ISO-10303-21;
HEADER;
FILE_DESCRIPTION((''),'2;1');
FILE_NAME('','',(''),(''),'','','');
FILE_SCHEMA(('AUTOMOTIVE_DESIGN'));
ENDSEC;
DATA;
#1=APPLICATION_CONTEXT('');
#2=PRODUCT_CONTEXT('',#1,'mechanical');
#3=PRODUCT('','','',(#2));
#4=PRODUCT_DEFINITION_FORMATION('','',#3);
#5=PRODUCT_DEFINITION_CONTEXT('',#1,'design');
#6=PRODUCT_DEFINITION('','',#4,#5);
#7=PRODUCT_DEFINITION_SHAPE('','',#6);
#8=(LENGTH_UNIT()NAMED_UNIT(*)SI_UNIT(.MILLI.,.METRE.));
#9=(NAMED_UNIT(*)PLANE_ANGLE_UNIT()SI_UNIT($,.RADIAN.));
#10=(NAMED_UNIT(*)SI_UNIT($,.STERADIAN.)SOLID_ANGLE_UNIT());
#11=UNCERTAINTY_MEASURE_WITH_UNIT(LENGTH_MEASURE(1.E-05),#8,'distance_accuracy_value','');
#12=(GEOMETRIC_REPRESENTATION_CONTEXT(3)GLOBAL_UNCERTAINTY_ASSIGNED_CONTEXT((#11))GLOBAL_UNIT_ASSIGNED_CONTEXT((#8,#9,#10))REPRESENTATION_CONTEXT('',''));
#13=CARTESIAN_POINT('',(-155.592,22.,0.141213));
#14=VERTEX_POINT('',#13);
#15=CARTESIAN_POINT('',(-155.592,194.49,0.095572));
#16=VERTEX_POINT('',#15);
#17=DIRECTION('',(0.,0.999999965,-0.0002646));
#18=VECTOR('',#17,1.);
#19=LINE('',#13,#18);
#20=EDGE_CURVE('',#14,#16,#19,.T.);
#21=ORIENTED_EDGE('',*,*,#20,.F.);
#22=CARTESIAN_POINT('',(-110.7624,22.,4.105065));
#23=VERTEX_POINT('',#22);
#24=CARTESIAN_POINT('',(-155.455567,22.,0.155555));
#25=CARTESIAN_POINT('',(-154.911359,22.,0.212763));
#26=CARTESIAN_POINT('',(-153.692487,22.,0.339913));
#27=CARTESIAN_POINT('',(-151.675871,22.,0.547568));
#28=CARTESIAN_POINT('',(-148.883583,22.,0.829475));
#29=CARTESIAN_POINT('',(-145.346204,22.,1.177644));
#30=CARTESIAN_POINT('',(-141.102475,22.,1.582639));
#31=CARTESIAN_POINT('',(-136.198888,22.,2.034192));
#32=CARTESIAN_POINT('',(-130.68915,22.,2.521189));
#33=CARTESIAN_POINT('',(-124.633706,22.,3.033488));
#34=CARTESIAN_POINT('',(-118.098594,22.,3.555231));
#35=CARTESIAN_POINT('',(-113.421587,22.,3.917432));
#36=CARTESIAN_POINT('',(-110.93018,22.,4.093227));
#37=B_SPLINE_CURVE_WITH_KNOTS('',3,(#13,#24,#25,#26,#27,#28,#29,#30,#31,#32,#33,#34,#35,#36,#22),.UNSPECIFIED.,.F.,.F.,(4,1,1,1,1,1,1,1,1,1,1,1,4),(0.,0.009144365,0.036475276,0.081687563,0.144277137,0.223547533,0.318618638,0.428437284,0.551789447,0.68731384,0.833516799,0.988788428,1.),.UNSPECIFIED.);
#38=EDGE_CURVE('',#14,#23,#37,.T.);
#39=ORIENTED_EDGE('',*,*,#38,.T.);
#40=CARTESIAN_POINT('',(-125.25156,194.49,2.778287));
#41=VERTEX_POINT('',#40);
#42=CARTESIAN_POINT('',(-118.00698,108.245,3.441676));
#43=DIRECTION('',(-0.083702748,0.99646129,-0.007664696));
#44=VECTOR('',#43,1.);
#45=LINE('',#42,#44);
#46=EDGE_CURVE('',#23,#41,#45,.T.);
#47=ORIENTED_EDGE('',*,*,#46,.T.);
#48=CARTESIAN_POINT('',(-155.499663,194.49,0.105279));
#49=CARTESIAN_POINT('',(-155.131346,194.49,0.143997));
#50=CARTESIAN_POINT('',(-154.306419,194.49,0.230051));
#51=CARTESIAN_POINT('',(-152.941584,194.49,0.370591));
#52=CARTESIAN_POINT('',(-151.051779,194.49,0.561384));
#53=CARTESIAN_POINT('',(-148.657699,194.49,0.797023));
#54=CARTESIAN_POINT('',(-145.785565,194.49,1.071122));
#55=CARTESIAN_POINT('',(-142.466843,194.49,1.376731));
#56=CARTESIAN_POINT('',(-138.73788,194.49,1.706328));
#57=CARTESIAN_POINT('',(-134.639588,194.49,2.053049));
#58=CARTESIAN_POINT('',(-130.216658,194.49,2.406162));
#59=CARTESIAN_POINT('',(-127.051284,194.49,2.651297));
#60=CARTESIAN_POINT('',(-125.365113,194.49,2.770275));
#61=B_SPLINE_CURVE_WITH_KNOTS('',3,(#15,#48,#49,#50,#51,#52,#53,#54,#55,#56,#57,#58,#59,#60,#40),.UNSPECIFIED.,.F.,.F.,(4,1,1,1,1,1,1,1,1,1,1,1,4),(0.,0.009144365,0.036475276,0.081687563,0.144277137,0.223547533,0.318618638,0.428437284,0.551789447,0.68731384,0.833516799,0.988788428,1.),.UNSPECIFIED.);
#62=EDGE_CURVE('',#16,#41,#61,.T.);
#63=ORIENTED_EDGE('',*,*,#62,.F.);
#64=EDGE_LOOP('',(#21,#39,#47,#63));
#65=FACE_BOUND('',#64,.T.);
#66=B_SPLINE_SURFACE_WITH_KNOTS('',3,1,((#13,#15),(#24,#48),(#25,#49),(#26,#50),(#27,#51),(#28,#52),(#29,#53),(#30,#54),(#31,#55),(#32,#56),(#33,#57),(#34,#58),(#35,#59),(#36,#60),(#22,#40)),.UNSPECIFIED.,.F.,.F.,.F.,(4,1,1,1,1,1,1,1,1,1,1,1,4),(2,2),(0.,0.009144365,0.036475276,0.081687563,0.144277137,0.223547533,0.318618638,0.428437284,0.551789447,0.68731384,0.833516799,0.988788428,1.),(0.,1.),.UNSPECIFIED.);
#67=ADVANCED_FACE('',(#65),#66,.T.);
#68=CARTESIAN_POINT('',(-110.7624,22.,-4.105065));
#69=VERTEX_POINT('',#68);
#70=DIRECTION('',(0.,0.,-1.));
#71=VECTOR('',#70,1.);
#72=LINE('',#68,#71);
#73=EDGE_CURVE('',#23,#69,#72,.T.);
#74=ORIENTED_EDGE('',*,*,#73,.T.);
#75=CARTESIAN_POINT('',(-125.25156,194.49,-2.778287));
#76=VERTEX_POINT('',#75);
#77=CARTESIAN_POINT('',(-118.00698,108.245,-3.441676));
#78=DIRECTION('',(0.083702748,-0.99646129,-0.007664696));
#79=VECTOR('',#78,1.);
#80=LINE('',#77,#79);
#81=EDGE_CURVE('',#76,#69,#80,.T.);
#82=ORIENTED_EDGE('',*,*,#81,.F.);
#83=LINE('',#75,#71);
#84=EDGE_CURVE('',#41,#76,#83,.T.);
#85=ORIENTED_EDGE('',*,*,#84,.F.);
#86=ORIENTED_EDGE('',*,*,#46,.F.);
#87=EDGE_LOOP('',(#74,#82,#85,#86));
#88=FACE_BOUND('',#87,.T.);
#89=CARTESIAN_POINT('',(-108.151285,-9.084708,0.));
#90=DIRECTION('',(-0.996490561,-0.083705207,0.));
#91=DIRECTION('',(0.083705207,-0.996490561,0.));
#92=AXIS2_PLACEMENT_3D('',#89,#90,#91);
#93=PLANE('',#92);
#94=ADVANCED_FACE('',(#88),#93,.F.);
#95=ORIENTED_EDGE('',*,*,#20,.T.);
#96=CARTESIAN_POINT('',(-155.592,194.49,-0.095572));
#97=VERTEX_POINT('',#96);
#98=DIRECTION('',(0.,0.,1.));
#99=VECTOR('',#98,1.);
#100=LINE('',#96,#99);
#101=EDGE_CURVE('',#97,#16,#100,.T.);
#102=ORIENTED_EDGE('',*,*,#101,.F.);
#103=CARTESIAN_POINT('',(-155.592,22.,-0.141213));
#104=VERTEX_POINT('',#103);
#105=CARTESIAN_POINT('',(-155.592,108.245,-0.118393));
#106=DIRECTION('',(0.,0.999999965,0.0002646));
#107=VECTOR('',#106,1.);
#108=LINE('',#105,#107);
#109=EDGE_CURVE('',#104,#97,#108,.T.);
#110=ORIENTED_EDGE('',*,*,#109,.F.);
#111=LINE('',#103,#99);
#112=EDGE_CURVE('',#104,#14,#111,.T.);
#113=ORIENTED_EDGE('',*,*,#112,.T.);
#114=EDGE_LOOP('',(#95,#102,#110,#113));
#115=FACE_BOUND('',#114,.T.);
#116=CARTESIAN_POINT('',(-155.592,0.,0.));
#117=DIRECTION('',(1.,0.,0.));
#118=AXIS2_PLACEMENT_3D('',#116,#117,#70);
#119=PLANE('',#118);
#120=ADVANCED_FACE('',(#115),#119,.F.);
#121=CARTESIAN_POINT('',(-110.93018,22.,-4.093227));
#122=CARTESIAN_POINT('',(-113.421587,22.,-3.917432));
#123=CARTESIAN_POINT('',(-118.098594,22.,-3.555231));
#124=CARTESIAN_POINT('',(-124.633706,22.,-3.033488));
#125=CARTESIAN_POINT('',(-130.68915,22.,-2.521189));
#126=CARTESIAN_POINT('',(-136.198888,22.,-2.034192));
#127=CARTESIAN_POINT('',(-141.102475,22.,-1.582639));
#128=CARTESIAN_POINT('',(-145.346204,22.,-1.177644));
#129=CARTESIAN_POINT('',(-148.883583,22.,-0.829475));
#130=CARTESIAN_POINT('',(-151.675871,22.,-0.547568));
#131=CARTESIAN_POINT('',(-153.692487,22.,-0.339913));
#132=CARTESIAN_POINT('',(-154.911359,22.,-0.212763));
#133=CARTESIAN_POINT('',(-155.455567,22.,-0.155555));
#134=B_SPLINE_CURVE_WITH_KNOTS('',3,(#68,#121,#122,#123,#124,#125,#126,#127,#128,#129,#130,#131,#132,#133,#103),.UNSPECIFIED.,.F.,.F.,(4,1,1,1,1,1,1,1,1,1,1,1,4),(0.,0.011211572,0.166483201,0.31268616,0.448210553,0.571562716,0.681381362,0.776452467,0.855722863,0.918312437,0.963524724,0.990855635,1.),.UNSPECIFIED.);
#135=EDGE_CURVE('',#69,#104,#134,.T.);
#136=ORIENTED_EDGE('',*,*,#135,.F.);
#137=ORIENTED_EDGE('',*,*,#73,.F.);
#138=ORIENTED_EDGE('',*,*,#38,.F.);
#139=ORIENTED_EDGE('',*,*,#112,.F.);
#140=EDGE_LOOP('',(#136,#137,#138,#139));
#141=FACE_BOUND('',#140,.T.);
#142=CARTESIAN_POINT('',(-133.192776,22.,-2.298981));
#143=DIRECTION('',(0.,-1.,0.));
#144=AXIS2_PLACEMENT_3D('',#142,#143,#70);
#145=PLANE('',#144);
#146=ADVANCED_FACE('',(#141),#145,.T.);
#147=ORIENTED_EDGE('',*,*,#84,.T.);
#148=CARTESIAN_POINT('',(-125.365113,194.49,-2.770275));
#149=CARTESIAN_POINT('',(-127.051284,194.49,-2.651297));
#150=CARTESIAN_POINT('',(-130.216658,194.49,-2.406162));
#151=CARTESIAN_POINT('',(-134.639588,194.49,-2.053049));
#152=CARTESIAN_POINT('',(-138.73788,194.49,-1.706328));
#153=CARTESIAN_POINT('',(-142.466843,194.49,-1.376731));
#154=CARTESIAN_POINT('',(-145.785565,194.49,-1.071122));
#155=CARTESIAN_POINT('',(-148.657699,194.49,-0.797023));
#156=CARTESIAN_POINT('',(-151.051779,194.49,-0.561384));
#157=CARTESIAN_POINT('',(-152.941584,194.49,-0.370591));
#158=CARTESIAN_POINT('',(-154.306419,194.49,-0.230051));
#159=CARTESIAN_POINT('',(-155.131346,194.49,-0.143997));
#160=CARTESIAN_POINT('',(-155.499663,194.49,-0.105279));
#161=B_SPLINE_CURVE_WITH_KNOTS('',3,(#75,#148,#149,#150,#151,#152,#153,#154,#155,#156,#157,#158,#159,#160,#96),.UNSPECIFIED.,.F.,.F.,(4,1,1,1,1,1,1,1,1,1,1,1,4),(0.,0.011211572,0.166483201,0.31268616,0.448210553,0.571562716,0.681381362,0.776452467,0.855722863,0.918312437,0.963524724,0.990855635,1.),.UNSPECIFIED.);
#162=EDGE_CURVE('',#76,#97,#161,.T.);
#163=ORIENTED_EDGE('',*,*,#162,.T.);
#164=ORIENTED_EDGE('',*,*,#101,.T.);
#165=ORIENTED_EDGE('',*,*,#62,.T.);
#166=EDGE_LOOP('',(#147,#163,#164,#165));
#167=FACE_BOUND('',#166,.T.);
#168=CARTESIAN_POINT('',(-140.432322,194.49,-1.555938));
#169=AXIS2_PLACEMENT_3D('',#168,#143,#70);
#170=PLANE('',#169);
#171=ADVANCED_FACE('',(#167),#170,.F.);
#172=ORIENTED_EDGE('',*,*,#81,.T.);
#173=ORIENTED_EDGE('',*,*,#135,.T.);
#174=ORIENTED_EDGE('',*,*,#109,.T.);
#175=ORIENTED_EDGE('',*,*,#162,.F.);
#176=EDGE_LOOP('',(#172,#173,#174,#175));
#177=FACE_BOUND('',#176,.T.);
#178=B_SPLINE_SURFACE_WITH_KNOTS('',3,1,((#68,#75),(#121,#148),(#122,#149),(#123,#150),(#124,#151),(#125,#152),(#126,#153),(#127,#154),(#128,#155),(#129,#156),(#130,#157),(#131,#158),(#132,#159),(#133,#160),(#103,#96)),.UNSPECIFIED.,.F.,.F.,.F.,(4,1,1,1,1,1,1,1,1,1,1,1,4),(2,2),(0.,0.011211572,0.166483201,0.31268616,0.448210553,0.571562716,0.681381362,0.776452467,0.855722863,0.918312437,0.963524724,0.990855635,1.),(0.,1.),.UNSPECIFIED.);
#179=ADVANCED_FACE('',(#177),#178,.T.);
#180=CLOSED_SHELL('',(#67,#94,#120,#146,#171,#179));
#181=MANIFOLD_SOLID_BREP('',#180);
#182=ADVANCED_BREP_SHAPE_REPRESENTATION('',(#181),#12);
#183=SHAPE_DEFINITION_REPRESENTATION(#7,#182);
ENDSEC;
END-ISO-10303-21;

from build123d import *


with BuildPart() as part:
    # Sketch1 → Loft1 section 0
    with BuildSketch(Plane(origin=(0, 22, 0), x_dir=(1, 0, 0), z_dir=(0, 1, 0))):
        with BuildLine():
            Line((-110.7624, 4.105065425), (-110.7624, -4.105065425))
            add(Edge.make_bspline(
                [(-110.7624, -4.105065425), (-110.930180204, -4.093226768), (-113.421586825, -3.917431838), (-118.098594347, -3.555230855), (-124.633705995, -3.033487935), (-130.689149654, -2.521189341), (-136.19888791, -2.034192057), (-141.102475085, -1.582638673), (-145.34620445, -1.177644216), (-148.883583494, -0.82947508), (-151.67587131, -0.547568394), (-153.692486617, -0.339912657), (-154.911359223, -0.212763273), (-155.45556693, -0.1555553), (-155.592, -0.14121324)],
                knots=[0, 0, 0, 0, 0.011211572, 0.166483201, 0.31268616, 0.448210553, 0.571562716, 0.681381362, 0.776452467, 0.855722863, 0.918312437, 0.963524724, 0.990855635, 1, 1, 1, 1], degree=3))
            Line((-155.592, -0.14121324), (-155.592, 0.14121324))
            add(Edge.make_bspline(
                [(-110.7624, 4.105065425), (-110.930180204, 4.093226768), (-113.421586825, 3.917431838), (-118.098594347, 3.555230855), (-124.633705995, 3.033487935), (-130.689149654, 2.521189341), (-136.19888791, 2.034192057), (-141.102475085, 1.582638673), (-145.34620445, 1.177644216), (-148.883583494, 0.82947508), (-151.67587131, 0.547568394), (-153.692486617, 0.339912657), (-154.911359223, 0.212763273), (-155.45556693, 0.1555553), (-155.592, 0.14121324)],
                knots=[0, 0, 0, 0, 0.011211572, 0.166483201, 0.31268616, 0.448210553, 0.571562716, 0.681381362, 0.776452467, 0.855722863, 0.918312437, 0.963524724, 0.990855635, 1, 1, 1, 1], degree=3))
        make_face()
    # Sketch2 → Loft1 section 1
    with BuildSketch(Plane(origin=(0, 194.49, 0), x_dir=(1, 0, 0), z_dir=(0, 1, 0))):
        with BuildLine():
            Line((-125.25156, 2.778286918), (-125.25156, -2.778286918))
            add(Edge.make_bspline(
                [(-125.25156, -2.778286918), (-125.365112769, -2.770274576), (-127.051283806, -2.651297483), (-130.216658158, -2.406161742), (-134.639587715, -2.053048849), (-138.737880473, -1.706327826), (-142.466842653, -1.376730599), (-145.785564937, -1.071121618), (-148.657698888, -0.797023477), (-151.051778617, -0.561384418), (-152.941584481, -0.37059144), (-154.306419227, -0.230051117), (-155.131345864, -0.143997076), (-155.499662808, -0.105279017), (-155.592, -0.095572386)],
                knots=[0, 0, 0, 0, 0.011211572, 0.166483201, 0.31268616, 0.448210553, 0.571562716, 0.681381362, 0.776452467, 0.855722863, 0.918312437, 0.963524724, 0.990855635, 1, 1, 1, 1], degree=3))
            Line((-155.592, -0.095572386), (-155.592, 0.095572386))
            add(Edge.make_bspline(
                [(-125.25156, 2.778286918), (-125.365112769, 2.770274576), (-127.051283806, 2.651297483), (-130.216658158, 2.406161742), (-134.639587715, 2.053048849), (-138.737880473, 1.706327826), (-142.466842653, 1.376730599), (-145.785564937, 1.071121618), (-148.657698888, 0.797023477), (-151.051778617, 0.561384418), (-152.941584481, 0.37059144), (-154.306419227, 0.230051117), (-155.131345864, 0.143997076), (-155.499662808, 0.105279017), (-155.592, 0.095572386)],
                knots=[0, 0, 0, 0, 0.011211572, 0.166483201, 0.31268616, 0.448210553, 0.571562716, 0.681381362, 0.776452467, 0.855722863, 0.918312437, 0.963524724, 0.990855635, 1, 1, 1, 1], degree=3))
        make_face()
    loft()


solid = part.part
